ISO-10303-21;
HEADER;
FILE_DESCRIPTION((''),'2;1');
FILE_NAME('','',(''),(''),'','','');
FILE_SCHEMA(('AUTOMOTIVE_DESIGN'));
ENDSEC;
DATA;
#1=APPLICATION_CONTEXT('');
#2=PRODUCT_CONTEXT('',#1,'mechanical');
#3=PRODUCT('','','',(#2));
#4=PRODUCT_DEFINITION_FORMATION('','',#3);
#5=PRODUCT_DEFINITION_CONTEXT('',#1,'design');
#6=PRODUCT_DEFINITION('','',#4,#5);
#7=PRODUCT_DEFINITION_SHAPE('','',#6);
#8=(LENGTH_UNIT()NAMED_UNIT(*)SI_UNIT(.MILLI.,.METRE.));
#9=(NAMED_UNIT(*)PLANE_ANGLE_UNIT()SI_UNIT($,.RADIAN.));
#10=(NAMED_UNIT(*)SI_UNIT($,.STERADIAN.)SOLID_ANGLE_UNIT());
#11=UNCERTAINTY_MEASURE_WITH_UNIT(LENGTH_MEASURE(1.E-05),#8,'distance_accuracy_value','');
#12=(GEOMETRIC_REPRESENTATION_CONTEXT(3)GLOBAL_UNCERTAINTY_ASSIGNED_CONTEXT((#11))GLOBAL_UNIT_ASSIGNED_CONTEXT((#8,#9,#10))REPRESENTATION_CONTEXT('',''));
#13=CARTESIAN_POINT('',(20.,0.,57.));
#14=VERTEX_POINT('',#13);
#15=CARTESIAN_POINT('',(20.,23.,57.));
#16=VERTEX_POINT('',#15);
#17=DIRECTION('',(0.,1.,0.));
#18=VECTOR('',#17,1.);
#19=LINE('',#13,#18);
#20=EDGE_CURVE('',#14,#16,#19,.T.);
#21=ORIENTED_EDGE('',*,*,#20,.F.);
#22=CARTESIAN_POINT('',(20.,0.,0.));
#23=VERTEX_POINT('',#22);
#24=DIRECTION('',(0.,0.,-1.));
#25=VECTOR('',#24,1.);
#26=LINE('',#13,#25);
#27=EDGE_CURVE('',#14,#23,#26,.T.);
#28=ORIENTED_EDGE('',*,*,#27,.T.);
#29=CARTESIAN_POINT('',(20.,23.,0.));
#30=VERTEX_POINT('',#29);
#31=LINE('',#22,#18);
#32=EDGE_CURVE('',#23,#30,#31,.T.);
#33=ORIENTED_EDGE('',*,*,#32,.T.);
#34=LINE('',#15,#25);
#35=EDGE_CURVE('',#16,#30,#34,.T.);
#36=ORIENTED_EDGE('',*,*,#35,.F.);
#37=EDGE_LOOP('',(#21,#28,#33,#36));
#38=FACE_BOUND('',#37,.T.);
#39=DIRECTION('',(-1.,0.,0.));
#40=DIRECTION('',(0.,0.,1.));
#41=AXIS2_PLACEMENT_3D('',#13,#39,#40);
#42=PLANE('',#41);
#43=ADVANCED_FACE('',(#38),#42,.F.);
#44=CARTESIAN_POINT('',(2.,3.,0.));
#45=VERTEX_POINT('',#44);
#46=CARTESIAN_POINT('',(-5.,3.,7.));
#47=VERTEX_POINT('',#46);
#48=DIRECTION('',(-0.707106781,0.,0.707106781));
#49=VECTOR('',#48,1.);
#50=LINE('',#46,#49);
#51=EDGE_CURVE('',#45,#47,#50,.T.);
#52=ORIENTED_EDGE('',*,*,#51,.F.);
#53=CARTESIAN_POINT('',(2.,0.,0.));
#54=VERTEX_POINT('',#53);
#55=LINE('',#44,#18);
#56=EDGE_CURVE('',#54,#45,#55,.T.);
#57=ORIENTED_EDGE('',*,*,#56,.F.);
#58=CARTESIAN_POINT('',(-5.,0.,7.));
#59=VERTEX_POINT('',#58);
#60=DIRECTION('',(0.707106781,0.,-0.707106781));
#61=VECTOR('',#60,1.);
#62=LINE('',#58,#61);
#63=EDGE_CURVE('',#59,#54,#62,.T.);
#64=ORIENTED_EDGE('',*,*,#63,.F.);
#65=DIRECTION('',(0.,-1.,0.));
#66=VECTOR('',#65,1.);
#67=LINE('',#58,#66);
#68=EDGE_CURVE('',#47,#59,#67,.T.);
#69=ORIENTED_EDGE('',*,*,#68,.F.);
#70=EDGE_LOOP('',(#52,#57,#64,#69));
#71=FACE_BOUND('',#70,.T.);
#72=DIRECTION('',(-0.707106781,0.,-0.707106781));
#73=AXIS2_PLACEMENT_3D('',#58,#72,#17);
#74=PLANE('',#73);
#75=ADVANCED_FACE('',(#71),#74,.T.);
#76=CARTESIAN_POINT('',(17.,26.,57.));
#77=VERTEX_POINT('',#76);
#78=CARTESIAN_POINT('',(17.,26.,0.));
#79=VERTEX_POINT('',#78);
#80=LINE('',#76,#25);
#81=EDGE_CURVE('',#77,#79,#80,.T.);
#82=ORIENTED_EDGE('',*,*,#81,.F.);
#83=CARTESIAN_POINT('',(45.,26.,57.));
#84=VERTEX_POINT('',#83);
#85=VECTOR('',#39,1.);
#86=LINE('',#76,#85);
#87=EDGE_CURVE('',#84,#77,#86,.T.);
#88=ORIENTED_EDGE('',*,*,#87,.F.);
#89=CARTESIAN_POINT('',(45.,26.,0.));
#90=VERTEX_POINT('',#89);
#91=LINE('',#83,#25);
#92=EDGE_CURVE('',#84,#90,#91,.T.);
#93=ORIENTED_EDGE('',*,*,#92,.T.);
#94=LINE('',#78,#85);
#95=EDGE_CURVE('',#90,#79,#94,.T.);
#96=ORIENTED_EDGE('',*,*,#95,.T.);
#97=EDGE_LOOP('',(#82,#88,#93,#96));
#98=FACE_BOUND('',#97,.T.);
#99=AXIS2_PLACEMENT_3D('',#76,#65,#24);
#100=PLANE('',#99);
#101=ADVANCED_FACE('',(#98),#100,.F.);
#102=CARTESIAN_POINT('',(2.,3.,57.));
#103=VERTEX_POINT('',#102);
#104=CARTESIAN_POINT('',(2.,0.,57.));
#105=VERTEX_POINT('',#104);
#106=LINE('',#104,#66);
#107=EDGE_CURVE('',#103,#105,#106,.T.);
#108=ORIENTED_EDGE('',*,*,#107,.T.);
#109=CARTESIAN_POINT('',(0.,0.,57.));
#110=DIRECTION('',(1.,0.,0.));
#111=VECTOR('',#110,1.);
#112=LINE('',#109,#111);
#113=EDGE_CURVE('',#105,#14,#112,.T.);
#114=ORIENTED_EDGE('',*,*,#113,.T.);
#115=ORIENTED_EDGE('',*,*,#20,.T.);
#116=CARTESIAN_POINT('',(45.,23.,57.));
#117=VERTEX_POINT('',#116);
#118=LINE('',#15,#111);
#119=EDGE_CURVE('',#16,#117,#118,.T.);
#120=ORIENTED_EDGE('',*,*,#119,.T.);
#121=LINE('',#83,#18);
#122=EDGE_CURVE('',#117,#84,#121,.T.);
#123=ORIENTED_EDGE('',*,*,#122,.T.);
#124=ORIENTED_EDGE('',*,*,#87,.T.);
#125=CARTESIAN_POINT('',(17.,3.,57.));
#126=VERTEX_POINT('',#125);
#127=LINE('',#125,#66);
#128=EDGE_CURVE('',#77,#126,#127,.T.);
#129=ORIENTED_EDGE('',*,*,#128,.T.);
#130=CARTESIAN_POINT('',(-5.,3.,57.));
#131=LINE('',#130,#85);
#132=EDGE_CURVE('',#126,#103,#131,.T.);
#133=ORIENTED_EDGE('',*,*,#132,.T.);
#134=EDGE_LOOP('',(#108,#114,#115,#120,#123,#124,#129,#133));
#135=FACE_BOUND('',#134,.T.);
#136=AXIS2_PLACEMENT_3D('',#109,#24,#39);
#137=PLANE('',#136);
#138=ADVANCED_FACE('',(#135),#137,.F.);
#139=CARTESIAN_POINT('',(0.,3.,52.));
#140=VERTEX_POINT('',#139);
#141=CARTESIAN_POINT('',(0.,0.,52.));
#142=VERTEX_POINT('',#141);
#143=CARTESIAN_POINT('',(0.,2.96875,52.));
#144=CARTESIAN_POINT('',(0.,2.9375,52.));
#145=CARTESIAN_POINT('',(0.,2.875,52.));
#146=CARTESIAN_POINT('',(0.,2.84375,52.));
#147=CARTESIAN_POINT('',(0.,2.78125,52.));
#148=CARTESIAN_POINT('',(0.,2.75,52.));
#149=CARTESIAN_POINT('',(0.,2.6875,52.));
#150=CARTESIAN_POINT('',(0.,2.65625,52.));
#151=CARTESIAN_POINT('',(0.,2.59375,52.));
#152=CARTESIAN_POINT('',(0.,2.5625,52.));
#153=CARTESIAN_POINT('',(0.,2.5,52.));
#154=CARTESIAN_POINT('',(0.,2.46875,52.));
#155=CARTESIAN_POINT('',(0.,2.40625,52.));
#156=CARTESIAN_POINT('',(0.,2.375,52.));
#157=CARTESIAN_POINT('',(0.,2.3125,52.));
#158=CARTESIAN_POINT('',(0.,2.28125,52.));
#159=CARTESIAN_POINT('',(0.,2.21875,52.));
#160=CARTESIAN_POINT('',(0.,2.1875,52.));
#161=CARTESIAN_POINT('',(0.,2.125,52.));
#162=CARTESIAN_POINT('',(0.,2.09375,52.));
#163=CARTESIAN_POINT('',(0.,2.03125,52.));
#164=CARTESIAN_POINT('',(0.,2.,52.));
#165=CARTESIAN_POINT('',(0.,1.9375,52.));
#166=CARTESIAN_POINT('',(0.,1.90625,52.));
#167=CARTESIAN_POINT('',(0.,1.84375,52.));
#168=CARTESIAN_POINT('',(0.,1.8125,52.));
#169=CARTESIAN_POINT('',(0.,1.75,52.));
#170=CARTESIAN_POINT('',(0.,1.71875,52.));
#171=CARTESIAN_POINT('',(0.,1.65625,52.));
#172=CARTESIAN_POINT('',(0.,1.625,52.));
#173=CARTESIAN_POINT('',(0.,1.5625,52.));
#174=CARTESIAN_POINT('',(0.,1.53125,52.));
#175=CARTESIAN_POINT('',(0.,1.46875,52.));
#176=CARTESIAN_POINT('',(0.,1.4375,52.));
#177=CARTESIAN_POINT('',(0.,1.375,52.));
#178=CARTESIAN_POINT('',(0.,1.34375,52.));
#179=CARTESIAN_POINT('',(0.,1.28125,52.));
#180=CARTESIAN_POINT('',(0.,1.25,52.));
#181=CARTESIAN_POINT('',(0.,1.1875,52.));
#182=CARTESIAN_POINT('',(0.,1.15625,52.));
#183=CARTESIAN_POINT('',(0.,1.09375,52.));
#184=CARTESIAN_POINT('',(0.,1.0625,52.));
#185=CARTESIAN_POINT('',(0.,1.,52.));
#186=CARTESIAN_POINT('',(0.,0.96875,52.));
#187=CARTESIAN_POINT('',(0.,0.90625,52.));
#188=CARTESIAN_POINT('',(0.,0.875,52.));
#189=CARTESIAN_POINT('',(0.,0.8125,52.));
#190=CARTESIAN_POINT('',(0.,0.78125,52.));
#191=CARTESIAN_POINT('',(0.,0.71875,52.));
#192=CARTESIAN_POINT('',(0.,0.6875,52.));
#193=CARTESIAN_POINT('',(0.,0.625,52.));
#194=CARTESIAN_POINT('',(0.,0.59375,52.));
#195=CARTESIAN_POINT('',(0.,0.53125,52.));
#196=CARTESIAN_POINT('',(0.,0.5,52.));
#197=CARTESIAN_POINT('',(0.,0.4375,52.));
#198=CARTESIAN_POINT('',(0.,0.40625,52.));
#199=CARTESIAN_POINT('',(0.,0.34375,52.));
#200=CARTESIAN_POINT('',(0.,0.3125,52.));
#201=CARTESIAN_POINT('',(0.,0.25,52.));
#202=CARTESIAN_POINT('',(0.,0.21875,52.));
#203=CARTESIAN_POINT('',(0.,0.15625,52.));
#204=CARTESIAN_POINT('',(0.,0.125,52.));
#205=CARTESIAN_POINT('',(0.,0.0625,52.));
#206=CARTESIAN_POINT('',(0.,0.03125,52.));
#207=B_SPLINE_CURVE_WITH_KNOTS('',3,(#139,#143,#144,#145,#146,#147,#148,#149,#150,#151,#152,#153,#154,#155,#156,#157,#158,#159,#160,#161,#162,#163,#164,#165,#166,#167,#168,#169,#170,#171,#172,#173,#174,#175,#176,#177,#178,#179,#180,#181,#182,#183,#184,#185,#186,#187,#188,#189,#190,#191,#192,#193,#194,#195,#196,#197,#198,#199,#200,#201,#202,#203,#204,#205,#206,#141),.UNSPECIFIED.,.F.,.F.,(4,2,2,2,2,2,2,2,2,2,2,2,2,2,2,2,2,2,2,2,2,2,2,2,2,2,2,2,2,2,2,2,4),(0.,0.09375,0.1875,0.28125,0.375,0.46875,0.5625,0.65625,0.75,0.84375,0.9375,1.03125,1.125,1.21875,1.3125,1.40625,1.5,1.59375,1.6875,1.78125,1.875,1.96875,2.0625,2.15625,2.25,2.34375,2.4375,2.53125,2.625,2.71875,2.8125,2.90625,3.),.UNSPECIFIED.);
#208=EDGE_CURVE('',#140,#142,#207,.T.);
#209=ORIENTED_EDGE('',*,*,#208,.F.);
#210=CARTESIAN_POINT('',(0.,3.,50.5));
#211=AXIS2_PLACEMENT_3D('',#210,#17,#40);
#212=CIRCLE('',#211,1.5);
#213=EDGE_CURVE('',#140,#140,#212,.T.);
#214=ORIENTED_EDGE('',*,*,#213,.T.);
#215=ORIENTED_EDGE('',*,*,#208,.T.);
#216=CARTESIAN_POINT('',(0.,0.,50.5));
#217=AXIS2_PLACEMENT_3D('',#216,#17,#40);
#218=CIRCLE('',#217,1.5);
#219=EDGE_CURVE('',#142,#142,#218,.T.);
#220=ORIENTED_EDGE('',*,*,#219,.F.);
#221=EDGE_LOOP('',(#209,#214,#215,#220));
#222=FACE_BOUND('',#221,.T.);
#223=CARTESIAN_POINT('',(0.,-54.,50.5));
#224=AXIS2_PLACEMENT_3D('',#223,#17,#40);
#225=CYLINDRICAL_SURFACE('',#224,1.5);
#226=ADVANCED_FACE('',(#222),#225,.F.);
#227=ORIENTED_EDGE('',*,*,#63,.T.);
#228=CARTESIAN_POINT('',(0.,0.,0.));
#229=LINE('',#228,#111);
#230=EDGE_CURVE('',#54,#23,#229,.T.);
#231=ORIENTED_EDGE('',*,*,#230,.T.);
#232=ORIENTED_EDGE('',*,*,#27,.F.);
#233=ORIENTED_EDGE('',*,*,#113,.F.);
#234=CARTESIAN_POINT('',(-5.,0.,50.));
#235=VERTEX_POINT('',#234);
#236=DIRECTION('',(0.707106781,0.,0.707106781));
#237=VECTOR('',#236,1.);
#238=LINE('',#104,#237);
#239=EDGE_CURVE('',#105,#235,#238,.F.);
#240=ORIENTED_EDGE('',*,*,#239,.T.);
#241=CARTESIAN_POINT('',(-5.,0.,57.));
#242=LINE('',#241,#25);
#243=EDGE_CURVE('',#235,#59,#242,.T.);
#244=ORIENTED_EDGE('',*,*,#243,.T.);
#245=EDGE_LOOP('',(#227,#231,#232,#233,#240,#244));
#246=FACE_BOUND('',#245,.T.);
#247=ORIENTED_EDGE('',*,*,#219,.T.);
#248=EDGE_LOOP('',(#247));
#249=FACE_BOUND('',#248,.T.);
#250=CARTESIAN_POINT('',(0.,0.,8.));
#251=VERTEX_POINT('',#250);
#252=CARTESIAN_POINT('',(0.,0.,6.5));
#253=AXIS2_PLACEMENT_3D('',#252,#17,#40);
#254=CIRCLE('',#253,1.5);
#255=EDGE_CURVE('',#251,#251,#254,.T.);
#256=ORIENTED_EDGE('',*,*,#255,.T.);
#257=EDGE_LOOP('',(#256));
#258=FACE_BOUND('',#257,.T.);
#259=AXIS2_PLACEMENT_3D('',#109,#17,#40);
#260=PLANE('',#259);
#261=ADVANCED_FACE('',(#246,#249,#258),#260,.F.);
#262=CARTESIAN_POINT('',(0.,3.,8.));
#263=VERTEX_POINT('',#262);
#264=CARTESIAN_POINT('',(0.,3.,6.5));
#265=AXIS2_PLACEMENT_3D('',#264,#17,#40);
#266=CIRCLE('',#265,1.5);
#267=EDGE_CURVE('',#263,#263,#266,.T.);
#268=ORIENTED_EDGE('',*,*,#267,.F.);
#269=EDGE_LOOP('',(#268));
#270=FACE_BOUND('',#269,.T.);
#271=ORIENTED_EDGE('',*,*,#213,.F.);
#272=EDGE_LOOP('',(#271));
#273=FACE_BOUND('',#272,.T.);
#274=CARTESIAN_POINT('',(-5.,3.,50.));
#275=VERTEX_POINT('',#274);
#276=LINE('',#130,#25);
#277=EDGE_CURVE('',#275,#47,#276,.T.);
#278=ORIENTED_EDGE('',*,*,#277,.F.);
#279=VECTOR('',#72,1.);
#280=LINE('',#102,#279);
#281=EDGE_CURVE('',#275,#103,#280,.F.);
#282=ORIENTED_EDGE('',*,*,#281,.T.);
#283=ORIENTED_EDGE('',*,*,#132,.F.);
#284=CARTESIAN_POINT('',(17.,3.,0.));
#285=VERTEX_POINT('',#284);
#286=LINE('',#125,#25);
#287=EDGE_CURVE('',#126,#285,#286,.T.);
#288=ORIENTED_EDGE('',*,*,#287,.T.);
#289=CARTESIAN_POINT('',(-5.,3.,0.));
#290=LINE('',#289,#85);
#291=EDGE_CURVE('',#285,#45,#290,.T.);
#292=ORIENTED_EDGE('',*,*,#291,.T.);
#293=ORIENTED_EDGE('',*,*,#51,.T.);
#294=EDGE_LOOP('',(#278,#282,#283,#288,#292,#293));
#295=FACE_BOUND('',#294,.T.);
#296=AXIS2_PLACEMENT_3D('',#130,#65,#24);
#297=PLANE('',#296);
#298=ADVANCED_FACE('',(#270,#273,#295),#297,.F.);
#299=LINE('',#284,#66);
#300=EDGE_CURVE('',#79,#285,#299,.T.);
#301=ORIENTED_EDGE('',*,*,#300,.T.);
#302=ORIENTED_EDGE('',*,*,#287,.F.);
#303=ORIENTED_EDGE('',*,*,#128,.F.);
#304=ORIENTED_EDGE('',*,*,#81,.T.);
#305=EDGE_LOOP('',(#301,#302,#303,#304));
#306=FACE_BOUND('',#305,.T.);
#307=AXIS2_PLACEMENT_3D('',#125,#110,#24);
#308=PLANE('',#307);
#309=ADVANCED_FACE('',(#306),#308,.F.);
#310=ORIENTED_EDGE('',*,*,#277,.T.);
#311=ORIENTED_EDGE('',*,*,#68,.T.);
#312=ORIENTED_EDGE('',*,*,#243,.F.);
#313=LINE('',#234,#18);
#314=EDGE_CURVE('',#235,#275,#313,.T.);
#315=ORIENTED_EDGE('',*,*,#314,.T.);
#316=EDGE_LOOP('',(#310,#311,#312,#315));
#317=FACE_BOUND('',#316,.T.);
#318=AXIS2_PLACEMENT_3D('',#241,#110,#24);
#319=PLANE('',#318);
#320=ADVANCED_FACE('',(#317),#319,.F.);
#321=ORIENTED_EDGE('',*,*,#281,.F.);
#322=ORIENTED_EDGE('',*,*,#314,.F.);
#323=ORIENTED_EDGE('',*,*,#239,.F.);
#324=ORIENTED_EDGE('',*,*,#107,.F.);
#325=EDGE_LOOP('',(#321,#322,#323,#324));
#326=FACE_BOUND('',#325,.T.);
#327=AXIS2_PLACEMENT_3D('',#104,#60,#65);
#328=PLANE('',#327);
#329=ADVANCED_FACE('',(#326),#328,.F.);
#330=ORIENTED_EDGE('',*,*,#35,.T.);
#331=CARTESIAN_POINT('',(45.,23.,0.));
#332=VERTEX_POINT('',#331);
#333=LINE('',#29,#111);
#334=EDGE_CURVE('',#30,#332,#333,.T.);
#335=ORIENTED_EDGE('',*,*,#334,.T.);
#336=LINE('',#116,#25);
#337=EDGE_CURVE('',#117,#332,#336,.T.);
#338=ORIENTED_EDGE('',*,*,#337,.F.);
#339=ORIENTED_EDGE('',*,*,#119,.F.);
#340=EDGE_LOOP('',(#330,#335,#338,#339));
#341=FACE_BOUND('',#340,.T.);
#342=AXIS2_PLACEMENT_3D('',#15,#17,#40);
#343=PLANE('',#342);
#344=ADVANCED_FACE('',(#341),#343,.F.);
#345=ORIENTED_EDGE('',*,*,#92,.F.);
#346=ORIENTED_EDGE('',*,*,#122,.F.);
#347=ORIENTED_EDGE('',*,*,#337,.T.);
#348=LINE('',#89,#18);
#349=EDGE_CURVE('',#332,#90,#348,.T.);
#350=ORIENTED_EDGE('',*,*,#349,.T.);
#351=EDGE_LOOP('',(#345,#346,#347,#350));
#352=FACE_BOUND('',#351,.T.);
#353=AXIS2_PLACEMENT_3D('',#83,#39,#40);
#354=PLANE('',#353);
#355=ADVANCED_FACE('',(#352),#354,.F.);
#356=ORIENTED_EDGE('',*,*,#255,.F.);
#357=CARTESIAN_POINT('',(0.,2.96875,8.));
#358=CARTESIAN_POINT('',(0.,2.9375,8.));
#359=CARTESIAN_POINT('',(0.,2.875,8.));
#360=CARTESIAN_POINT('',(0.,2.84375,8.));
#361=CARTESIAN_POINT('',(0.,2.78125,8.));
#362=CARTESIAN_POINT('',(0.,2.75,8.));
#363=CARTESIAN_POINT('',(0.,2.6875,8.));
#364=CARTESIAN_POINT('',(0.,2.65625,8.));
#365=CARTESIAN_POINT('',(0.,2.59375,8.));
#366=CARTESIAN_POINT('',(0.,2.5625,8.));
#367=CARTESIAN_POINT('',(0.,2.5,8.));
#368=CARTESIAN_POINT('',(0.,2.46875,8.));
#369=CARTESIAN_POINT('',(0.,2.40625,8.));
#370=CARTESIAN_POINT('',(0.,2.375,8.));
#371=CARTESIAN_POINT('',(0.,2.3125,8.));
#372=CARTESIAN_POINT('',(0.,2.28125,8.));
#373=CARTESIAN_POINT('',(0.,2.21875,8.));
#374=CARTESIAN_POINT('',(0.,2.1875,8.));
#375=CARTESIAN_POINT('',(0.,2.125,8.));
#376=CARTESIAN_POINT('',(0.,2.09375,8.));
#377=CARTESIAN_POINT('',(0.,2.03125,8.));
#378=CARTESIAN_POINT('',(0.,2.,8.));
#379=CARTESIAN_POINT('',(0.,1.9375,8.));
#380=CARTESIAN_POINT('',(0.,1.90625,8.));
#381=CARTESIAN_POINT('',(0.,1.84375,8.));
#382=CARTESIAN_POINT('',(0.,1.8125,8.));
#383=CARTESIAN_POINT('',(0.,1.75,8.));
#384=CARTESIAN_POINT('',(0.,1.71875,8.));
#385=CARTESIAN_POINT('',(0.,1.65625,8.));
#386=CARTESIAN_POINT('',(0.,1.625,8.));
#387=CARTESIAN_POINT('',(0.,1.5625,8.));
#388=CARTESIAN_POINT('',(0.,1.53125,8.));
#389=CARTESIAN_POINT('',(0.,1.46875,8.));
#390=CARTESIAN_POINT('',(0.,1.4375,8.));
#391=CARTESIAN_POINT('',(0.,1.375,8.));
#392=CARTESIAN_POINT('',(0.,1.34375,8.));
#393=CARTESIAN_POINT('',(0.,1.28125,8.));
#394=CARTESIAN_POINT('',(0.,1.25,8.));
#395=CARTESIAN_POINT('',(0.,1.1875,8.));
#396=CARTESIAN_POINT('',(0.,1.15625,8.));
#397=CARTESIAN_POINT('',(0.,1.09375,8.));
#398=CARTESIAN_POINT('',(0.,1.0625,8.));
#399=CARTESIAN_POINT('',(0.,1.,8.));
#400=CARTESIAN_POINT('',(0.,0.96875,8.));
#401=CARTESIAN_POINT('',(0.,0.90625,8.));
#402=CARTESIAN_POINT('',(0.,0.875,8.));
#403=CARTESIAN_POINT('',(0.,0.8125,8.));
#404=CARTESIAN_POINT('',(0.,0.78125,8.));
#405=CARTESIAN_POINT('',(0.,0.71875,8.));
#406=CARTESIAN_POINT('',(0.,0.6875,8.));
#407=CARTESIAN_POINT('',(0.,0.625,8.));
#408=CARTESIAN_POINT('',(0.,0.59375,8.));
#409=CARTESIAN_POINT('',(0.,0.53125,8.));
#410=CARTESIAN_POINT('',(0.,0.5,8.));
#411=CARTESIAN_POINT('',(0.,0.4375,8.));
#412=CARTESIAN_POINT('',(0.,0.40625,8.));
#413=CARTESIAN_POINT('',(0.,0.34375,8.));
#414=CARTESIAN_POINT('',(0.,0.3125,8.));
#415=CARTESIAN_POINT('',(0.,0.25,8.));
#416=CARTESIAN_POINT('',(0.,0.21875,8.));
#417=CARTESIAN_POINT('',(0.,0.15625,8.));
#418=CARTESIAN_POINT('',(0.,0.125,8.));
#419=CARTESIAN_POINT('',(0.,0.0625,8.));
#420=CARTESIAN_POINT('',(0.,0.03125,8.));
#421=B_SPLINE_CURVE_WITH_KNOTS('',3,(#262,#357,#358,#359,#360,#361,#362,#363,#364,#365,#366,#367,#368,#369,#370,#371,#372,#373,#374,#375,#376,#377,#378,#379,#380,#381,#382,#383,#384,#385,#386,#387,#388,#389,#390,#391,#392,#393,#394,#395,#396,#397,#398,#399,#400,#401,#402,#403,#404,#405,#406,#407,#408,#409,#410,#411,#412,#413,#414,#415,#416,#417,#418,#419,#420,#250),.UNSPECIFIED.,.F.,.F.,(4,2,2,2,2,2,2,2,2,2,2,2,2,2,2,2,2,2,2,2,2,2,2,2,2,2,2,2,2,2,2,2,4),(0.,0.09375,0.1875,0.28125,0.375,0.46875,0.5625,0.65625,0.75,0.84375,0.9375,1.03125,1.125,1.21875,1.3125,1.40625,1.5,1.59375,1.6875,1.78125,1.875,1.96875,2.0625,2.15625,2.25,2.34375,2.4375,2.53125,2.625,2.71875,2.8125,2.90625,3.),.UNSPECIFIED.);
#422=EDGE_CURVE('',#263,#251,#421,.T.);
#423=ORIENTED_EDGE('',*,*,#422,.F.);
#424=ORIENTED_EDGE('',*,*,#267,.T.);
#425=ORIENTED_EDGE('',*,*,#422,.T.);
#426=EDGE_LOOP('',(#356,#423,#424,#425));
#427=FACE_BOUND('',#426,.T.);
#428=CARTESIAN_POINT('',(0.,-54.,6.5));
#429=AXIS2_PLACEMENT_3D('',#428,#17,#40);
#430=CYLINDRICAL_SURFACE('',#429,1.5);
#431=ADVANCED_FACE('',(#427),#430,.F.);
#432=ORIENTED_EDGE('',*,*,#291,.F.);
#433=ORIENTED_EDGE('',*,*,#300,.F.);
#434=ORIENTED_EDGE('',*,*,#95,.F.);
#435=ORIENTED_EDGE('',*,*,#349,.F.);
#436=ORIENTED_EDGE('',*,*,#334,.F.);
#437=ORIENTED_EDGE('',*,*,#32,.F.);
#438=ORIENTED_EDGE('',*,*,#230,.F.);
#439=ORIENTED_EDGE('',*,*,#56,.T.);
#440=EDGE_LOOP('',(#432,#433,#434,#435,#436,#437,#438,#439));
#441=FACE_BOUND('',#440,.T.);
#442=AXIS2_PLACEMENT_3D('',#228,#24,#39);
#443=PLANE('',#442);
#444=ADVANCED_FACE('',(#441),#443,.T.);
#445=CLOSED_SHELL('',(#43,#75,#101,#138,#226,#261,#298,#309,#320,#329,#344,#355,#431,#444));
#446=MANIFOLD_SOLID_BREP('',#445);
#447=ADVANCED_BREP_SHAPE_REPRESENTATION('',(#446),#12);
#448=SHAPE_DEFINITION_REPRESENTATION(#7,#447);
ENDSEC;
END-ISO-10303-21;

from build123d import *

# Parameters (mm, degrees)
ESTRUSIONE_ESTRUSIONE1_DEPTH = 57
SCHIZZO2_R                   = 1.5
TAGLIO_ESTRUSIONE1_DEPTH     = 57
SMUSSO1_SIZE                 = 7


with BuildPart() as part:
    # Schizzo1 → Estrusione-Estrusione1 (new body)
    with BuildSketch(Plane.XY):
        Polygon((0, 0), (20, 0), (20, 23), (45, 23), (45, 26), (17, 26), (17, 3), (-5, 3), (-5, 0), align=None)
    extrude(amount=ESTRUSIONE_ESTRUSIONE1_DEPTH)

    # Schizzo2 → Taglio-Estrusione1 (cut)
    with BuildSketch(Plane(origin=(0, 3, 0), x_dir=(1, 0, 0), z_dir=(0, 1, 0))):
        with Locations(Location((0, -50.5, 0), (0, 0, 270))):
            Circle(SCHIZZO2_R)
        with Locations(Location((0, -6.5, 0), (0, 0, 270))):
            Circle(SCHIZZO2_R)
    extrude(amount=-TAGLIO_ESTRUSIONE1_DEPTH, mode=Mode.SUBTRACT)

    # Smusso1
    smusso1_edges = [part.edges().sort_by_distance(p)[0] for p in [
        (-5, 1.5, 57),
        (-5, 1.5, 0),
    ]]
    chamfer(smusso1_edges, length=SMUSSO1_SIZE)


solid = part.part
